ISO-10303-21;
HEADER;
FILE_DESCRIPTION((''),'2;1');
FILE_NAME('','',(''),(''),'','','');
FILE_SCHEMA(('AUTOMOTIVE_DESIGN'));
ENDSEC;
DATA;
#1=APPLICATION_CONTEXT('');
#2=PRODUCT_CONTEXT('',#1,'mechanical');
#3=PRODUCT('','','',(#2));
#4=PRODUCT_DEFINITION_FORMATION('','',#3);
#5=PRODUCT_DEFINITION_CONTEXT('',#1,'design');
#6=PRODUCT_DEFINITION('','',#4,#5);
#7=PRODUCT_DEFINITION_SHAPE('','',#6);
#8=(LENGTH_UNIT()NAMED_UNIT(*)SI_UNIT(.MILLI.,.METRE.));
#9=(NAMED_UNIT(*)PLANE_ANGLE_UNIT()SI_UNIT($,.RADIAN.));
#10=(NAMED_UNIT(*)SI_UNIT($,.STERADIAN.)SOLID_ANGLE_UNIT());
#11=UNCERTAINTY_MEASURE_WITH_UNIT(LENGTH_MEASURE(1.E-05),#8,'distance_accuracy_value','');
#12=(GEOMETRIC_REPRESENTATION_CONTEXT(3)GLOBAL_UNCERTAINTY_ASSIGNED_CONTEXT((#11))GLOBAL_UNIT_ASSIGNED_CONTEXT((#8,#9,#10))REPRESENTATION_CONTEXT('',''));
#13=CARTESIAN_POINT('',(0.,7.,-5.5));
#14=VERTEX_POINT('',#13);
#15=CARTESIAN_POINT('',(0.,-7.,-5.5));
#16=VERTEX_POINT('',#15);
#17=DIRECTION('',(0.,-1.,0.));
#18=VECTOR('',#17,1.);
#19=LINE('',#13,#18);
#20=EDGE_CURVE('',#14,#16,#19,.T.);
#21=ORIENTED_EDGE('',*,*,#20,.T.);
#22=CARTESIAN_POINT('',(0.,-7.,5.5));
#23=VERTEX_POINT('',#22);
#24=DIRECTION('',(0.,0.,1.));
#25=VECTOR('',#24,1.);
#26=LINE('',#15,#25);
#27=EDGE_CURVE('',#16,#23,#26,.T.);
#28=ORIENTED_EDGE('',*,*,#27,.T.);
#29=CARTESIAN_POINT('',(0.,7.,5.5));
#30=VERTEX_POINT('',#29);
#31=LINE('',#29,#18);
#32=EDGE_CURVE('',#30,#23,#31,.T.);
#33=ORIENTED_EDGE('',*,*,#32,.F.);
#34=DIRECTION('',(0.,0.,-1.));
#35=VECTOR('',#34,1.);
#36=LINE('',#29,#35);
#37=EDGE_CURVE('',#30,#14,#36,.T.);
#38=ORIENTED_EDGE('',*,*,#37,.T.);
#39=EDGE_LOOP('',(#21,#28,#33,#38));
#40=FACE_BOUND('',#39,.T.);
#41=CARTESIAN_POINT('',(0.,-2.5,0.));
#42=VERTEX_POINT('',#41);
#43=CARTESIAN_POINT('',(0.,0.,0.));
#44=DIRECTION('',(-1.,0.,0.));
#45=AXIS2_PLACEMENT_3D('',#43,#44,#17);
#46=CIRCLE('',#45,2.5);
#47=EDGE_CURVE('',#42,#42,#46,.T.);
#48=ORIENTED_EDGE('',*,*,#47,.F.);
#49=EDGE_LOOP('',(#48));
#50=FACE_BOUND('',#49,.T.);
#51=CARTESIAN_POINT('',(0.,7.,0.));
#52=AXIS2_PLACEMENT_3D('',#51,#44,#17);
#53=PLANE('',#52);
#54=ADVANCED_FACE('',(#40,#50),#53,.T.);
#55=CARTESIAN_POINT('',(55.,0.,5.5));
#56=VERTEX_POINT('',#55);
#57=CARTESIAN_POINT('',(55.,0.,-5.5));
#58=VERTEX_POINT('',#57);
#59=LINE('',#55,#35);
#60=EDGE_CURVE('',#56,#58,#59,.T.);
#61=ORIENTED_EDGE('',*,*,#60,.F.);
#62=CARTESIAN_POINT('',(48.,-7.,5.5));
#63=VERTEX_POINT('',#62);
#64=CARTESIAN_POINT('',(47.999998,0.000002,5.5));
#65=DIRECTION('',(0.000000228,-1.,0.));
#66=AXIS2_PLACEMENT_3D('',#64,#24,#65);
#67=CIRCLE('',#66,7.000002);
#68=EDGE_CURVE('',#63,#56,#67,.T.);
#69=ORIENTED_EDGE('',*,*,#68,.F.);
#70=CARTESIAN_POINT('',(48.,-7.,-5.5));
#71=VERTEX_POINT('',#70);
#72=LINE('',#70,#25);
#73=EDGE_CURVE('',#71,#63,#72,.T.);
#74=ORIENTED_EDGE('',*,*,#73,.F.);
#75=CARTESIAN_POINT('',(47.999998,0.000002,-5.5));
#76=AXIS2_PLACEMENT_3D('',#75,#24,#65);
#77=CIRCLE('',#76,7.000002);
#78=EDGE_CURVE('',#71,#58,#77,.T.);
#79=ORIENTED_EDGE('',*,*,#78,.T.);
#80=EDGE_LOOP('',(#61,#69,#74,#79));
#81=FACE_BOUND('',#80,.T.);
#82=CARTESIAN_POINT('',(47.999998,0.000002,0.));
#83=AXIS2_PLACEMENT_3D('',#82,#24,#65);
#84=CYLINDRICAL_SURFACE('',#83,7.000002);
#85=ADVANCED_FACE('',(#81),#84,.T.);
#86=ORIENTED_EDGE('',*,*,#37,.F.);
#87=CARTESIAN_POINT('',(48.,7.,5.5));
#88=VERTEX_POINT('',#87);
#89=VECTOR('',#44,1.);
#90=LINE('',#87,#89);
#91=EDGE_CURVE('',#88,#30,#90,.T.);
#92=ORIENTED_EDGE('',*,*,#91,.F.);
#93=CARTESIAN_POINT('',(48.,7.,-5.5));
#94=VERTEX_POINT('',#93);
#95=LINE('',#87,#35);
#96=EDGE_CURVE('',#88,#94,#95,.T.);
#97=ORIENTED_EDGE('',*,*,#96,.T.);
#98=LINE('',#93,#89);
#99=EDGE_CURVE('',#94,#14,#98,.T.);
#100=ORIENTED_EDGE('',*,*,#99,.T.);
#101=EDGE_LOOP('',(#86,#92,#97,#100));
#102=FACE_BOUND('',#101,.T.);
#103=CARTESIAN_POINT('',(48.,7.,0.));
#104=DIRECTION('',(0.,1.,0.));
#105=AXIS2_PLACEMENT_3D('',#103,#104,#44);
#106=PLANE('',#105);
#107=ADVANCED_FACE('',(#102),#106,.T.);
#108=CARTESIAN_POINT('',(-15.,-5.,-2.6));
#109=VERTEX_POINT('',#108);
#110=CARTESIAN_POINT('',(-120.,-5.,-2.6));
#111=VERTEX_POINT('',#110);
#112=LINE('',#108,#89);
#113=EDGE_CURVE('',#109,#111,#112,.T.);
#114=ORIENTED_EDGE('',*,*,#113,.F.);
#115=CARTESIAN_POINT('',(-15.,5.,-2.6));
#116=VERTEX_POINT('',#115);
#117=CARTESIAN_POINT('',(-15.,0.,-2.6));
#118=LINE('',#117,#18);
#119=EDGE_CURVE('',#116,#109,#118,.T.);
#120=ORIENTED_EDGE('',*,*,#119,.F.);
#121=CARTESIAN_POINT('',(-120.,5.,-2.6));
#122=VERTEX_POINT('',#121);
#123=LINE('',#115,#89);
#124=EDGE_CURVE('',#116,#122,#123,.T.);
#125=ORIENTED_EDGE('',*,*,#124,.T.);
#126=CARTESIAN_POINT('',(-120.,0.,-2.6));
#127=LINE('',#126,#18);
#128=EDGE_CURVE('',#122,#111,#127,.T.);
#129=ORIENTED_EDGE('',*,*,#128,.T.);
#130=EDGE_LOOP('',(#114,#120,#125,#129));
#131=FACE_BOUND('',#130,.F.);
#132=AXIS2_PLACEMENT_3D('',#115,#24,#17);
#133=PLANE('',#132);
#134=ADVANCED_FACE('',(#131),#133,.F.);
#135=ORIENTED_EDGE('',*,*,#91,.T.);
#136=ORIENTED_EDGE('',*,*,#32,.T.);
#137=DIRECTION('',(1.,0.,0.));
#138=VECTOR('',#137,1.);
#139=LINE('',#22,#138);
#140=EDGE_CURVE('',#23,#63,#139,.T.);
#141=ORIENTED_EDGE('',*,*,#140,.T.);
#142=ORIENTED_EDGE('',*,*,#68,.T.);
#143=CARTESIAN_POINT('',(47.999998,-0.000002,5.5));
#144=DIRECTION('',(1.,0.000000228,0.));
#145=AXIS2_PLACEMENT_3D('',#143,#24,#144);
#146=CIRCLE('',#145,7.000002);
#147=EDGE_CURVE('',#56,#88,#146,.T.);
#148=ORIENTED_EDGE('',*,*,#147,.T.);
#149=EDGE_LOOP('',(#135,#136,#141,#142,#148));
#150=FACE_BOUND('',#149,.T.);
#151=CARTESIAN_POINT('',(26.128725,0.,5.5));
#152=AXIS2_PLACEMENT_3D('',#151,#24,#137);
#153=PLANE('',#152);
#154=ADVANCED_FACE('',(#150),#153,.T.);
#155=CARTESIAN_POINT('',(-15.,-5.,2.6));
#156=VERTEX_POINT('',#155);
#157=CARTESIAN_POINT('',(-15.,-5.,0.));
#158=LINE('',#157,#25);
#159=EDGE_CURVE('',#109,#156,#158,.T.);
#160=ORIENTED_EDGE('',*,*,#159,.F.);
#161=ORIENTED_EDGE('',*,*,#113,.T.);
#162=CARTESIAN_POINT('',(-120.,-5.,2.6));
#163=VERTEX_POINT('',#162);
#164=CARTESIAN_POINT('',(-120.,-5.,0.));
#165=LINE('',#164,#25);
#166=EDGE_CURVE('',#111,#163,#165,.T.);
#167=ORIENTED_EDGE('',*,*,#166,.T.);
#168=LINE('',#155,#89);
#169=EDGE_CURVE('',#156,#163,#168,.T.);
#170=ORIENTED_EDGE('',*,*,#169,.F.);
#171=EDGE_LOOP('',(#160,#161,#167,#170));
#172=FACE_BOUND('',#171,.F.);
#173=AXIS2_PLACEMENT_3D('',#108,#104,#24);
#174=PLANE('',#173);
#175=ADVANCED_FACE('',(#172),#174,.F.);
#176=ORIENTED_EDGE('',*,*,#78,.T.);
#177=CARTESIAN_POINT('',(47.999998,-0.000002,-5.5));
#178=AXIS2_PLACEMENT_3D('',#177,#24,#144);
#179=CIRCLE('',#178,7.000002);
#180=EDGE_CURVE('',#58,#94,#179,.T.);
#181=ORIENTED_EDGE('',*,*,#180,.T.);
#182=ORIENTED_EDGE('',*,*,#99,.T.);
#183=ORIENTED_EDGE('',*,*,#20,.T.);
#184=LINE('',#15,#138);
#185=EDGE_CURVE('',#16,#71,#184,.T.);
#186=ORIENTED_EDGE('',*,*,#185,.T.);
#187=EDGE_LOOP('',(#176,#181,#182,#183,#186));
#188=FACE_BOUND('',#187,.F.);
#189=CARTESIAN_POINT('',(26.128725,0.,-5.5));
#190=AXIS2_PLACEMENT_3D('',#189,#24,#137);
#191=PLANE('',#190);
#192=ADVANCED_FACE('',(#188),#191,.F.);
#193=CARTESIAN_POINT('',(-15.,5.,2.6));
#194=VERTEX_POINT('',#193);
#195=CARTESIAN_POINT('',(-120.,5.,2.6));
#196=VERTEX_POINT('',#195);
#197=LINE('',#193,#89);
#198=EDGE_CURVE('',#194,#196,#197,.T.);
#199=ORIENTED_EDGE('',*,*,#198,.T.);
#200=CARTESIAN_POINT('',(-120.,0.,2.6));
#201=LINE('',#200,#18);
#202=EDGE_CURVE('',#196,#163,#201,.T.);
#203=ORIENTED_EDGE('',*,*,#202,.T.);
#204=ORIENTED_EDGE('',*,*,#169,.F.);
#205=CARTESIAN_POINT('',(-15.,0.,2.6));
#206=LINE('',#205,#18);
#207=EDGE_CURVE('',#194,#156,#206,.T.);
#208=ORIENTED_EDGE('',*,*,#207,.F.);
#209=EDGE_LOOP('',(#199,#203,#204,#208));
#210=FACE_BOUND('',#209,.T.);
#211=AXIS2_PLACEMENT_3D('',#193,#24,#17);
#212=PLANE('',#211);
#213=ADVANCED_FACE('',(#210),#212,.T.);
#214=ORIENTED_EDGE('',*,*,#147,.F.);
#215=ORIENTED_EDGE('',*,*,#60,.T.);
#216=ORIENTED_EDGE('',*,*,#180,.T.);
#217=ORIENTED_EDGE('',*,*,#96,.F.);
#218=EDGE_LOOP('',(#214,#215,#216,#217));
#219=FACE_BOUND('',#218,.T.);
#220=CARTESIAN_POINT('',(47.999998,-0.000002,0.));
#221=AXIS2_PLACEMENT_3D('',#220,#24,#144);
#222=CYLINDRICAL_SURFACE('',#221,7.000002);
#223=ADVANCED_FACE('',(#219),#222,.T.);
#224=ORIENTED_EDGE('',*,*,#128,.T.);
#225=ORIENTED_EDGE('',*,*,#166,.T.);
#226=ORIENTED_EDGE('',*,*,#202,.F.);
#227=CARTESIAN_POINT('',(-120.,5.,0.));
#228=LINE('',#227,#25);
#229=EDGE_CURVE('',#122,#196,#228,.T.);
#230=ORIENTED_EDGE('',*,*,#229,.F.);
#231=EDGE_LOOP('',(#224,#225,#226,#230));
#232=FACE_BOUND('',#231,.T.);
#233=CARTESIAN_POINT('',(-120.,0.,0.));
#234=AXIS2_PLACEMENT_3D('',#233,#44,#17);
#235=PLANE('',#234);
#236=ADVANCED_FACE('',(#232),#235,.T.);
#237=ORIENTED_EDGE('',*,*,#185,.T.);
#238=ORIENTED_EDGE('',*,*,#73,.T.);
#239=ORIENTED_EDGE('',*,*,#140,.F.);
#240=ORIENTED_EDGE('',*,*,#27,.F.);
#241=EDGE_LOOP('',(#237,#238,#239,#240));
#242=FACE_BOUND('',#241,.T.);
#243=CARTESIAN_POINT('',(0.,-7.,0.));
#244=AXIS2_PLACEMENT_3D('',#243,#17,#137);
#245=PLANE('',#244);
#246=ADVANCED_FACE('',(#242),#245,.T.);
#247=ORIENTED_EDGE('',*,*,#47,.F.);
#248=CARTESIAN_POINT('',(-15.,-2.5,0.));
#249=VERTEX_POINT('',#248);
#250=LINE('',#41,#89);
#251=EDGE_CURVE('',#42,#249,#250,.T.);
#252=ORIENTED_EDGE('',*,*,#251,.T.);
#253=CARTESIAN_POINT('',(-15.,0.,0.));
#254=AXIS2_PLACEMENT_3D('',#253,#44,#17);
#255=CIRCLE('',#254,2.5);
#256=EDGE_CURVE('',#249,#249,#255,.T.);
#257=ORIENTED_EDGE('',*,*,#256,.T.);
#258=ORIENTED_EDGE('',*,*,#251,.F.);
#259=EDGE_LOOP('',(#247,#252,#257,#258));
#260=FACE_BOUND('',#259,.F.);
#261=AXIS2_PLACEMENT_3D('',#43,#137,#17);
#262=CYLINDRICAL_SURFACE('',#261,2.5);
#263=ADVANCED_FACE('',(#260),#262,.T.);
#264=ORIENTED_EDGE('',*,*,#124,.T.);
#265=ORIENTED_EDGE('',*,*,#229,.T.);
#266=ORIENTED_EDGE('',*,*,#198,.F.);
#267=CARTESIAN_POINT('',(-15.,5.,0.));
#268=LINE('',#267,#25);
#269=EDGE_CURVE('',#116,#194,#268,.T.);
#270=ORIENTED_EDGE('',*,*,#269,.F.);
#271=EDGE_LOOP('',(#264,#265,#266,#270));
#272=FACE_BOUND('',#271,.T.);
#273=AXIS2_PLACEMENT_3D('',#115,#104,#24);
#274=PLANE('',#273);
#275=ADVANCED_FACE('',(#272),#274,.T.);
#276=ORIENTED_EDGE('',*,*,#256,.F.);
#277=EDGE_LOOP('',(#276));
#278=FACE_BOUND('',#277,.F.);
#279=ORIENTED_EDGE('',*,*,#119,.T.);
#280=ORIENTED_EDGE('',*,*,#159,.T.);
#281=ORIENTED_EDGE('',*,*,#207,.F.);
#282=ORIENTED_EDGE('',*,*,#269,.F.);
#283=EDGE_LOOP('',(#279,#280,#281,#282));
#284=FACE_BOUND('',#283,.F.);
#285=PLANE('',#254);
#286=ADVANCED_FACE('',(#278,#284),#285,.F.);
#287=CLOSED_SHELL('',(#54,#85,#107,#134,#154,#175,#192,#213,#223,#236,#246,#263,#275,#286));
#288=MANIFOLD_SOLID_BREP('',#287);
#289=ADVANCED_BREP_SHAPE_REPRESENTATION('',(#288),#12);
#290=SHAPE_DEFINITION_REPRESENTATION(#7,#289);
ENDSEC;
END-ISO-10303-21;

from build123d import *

# Parameters (mm, degrees)
F1_DEPTH = 5.5
F2_R     = 2.5
F3_DEPTH = 15
F4_W     = 10
F4_H     = 5.2
F5_DEPTH = 105


with BuildPart() as f1:
    # F0 (on Top) → F1 (new body, symmetric)
    with BuildSketch(Plane.XY):
        with BuildLine():
            Line((0, 7), (0, 0))
            Line((0, 0), (0, -7))
            Line((0, -7), (48, -7))
            ThreePointArc((48, -7), (52.949747, -4.949747), (55, 0))
            ThreePointArc((55, 0), (52.949747, 4.949747), (48, 7))
            Line((48, 7), (0, 7))
        make_face()
    extrude(amount=F1_DEPTH, both=True)

    # F2 (on face) → F3 (join)
    with BuildSketch(Plane(origin=(0, 0, 0), x_dir=(0, -1, 0), z_dir=(-1, 0, 0))):
        Circle(F2_R)
    extrude(amount=F3_DEPTH)

    # F4 (on face) → F5 (join)
    with BuildSketch(Plane(origin=(-15, 0, 0), x_dir=(0, -1, 0), z_dir=(-1, 0, 0))):
        Rectangle(F4_W, F4_H)
    extrude(amount=F5_DEPTH)


solid = f1.part
